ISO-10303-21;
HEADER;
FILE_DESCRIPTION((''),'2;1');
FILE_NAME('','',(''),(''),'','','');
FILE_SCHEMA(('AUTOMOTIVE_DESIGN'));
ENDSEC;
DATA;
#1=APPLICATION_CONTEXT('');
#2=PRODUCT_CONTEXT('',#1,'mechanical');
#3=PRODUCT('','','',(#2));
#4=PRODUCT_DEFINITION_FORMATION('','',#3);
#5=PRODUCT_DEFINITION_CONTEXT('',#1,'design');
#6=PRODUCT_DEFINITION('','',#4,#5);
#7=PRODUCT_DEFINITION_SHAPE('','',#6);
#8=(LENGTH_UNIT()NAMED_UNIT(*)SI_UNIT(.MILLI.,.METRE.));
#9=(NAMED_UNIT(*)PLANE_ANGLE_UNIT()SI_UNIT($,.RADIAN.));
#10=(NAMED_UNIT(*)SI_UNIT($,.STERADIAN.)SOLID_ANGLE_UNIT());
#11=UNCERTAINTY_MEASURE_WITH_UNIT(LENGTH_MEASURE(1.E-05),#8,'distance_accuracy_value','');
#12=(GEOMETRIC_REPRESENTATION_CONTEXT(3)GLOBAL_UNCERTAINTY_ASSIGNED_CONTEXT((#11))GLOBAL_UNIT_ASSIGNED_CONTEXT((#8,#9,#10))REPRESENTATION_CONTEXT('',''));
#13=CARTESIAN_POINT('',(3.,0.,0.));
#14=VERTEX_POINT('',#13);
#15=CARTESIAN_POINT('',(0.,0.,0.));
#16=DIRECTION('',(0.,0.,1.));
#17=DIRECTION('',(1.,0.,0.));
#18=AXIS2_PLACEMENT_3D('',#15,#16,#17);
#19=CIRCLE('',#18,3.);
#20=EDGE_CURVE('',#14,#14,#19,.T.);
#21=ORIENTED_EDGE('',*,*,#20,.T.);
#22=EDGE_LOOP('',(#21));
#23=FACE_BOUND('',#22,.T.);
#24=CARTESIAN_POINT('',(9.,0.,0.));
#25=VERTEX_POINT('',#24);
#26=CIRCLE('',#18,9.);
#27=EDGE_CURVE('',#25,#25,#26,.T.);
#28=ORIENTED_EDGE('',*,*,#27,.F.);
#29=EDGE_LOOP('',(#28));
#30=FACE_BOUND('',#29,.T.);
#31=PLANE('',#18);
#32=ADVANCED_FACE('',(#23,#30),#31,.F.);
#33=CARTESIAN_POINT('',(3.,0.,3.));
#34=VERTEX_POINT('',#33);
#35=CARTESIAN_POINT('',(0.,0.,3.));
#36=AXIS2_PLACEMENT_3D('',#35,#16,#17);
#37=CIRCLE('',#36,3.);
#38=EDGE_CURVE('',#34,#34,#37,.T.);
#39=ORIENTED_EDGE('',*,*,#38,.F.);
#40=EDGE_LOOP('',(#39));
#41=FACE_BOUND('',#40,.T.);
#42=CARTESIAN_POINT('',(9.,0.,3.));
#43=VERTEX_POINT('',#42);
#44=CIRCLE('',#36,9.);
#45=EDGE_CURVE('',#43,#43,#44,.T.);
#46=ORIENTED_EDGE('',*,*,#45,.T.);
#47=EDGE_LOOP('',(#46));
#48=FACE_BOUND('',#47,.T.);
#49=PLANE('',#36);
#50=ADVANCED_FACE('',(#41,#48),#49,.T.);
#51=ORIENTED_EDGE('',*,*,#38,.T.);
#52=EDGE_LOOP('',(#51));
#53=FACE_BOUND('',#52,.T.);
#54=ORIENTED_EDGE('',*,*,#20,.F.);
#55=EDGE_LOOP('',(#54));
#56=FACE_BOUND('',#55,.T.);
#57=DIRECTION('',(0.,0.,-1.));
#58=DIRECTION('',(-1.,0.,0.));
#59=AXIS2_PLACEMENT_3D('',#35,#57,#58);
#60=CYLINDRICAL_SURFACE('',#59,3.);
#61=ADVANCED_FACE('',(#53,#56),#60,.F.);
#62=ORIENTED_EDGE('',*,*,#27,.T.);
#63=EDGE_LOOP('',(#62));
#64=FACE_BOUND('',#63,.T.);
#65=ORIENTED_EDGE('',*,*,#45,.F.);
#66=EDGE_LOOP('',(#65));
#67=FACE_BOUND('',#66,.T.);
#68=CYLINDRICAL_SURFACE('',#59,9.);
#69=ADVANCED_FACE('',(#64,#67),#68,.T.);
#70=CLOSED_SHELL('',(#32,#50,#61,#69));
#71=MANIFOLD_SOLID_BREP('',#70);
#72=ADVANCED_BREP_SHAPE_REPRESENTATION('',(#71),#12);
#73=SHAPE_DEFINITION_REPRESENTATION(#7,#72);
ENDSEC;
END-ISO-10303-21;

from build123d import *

# Parameters (mm, degrees)
SKETCH_1_R      = 9
SKETCH_1_R_2    = 3
EXTRUDE_2_DEPTH = 3


with BuildPart() as part:
    # Эскиз1 → Вытянуть2 (new body)
    with BuildSketch(Plane.XY):
        Circle(SKETCH_1_R)
        Circle(SKETCH_1_R_2, mode=Mode.SUBTRACT)
    extrude(amount=EXTRUDE_2_DEPTH)


solid = part.part
